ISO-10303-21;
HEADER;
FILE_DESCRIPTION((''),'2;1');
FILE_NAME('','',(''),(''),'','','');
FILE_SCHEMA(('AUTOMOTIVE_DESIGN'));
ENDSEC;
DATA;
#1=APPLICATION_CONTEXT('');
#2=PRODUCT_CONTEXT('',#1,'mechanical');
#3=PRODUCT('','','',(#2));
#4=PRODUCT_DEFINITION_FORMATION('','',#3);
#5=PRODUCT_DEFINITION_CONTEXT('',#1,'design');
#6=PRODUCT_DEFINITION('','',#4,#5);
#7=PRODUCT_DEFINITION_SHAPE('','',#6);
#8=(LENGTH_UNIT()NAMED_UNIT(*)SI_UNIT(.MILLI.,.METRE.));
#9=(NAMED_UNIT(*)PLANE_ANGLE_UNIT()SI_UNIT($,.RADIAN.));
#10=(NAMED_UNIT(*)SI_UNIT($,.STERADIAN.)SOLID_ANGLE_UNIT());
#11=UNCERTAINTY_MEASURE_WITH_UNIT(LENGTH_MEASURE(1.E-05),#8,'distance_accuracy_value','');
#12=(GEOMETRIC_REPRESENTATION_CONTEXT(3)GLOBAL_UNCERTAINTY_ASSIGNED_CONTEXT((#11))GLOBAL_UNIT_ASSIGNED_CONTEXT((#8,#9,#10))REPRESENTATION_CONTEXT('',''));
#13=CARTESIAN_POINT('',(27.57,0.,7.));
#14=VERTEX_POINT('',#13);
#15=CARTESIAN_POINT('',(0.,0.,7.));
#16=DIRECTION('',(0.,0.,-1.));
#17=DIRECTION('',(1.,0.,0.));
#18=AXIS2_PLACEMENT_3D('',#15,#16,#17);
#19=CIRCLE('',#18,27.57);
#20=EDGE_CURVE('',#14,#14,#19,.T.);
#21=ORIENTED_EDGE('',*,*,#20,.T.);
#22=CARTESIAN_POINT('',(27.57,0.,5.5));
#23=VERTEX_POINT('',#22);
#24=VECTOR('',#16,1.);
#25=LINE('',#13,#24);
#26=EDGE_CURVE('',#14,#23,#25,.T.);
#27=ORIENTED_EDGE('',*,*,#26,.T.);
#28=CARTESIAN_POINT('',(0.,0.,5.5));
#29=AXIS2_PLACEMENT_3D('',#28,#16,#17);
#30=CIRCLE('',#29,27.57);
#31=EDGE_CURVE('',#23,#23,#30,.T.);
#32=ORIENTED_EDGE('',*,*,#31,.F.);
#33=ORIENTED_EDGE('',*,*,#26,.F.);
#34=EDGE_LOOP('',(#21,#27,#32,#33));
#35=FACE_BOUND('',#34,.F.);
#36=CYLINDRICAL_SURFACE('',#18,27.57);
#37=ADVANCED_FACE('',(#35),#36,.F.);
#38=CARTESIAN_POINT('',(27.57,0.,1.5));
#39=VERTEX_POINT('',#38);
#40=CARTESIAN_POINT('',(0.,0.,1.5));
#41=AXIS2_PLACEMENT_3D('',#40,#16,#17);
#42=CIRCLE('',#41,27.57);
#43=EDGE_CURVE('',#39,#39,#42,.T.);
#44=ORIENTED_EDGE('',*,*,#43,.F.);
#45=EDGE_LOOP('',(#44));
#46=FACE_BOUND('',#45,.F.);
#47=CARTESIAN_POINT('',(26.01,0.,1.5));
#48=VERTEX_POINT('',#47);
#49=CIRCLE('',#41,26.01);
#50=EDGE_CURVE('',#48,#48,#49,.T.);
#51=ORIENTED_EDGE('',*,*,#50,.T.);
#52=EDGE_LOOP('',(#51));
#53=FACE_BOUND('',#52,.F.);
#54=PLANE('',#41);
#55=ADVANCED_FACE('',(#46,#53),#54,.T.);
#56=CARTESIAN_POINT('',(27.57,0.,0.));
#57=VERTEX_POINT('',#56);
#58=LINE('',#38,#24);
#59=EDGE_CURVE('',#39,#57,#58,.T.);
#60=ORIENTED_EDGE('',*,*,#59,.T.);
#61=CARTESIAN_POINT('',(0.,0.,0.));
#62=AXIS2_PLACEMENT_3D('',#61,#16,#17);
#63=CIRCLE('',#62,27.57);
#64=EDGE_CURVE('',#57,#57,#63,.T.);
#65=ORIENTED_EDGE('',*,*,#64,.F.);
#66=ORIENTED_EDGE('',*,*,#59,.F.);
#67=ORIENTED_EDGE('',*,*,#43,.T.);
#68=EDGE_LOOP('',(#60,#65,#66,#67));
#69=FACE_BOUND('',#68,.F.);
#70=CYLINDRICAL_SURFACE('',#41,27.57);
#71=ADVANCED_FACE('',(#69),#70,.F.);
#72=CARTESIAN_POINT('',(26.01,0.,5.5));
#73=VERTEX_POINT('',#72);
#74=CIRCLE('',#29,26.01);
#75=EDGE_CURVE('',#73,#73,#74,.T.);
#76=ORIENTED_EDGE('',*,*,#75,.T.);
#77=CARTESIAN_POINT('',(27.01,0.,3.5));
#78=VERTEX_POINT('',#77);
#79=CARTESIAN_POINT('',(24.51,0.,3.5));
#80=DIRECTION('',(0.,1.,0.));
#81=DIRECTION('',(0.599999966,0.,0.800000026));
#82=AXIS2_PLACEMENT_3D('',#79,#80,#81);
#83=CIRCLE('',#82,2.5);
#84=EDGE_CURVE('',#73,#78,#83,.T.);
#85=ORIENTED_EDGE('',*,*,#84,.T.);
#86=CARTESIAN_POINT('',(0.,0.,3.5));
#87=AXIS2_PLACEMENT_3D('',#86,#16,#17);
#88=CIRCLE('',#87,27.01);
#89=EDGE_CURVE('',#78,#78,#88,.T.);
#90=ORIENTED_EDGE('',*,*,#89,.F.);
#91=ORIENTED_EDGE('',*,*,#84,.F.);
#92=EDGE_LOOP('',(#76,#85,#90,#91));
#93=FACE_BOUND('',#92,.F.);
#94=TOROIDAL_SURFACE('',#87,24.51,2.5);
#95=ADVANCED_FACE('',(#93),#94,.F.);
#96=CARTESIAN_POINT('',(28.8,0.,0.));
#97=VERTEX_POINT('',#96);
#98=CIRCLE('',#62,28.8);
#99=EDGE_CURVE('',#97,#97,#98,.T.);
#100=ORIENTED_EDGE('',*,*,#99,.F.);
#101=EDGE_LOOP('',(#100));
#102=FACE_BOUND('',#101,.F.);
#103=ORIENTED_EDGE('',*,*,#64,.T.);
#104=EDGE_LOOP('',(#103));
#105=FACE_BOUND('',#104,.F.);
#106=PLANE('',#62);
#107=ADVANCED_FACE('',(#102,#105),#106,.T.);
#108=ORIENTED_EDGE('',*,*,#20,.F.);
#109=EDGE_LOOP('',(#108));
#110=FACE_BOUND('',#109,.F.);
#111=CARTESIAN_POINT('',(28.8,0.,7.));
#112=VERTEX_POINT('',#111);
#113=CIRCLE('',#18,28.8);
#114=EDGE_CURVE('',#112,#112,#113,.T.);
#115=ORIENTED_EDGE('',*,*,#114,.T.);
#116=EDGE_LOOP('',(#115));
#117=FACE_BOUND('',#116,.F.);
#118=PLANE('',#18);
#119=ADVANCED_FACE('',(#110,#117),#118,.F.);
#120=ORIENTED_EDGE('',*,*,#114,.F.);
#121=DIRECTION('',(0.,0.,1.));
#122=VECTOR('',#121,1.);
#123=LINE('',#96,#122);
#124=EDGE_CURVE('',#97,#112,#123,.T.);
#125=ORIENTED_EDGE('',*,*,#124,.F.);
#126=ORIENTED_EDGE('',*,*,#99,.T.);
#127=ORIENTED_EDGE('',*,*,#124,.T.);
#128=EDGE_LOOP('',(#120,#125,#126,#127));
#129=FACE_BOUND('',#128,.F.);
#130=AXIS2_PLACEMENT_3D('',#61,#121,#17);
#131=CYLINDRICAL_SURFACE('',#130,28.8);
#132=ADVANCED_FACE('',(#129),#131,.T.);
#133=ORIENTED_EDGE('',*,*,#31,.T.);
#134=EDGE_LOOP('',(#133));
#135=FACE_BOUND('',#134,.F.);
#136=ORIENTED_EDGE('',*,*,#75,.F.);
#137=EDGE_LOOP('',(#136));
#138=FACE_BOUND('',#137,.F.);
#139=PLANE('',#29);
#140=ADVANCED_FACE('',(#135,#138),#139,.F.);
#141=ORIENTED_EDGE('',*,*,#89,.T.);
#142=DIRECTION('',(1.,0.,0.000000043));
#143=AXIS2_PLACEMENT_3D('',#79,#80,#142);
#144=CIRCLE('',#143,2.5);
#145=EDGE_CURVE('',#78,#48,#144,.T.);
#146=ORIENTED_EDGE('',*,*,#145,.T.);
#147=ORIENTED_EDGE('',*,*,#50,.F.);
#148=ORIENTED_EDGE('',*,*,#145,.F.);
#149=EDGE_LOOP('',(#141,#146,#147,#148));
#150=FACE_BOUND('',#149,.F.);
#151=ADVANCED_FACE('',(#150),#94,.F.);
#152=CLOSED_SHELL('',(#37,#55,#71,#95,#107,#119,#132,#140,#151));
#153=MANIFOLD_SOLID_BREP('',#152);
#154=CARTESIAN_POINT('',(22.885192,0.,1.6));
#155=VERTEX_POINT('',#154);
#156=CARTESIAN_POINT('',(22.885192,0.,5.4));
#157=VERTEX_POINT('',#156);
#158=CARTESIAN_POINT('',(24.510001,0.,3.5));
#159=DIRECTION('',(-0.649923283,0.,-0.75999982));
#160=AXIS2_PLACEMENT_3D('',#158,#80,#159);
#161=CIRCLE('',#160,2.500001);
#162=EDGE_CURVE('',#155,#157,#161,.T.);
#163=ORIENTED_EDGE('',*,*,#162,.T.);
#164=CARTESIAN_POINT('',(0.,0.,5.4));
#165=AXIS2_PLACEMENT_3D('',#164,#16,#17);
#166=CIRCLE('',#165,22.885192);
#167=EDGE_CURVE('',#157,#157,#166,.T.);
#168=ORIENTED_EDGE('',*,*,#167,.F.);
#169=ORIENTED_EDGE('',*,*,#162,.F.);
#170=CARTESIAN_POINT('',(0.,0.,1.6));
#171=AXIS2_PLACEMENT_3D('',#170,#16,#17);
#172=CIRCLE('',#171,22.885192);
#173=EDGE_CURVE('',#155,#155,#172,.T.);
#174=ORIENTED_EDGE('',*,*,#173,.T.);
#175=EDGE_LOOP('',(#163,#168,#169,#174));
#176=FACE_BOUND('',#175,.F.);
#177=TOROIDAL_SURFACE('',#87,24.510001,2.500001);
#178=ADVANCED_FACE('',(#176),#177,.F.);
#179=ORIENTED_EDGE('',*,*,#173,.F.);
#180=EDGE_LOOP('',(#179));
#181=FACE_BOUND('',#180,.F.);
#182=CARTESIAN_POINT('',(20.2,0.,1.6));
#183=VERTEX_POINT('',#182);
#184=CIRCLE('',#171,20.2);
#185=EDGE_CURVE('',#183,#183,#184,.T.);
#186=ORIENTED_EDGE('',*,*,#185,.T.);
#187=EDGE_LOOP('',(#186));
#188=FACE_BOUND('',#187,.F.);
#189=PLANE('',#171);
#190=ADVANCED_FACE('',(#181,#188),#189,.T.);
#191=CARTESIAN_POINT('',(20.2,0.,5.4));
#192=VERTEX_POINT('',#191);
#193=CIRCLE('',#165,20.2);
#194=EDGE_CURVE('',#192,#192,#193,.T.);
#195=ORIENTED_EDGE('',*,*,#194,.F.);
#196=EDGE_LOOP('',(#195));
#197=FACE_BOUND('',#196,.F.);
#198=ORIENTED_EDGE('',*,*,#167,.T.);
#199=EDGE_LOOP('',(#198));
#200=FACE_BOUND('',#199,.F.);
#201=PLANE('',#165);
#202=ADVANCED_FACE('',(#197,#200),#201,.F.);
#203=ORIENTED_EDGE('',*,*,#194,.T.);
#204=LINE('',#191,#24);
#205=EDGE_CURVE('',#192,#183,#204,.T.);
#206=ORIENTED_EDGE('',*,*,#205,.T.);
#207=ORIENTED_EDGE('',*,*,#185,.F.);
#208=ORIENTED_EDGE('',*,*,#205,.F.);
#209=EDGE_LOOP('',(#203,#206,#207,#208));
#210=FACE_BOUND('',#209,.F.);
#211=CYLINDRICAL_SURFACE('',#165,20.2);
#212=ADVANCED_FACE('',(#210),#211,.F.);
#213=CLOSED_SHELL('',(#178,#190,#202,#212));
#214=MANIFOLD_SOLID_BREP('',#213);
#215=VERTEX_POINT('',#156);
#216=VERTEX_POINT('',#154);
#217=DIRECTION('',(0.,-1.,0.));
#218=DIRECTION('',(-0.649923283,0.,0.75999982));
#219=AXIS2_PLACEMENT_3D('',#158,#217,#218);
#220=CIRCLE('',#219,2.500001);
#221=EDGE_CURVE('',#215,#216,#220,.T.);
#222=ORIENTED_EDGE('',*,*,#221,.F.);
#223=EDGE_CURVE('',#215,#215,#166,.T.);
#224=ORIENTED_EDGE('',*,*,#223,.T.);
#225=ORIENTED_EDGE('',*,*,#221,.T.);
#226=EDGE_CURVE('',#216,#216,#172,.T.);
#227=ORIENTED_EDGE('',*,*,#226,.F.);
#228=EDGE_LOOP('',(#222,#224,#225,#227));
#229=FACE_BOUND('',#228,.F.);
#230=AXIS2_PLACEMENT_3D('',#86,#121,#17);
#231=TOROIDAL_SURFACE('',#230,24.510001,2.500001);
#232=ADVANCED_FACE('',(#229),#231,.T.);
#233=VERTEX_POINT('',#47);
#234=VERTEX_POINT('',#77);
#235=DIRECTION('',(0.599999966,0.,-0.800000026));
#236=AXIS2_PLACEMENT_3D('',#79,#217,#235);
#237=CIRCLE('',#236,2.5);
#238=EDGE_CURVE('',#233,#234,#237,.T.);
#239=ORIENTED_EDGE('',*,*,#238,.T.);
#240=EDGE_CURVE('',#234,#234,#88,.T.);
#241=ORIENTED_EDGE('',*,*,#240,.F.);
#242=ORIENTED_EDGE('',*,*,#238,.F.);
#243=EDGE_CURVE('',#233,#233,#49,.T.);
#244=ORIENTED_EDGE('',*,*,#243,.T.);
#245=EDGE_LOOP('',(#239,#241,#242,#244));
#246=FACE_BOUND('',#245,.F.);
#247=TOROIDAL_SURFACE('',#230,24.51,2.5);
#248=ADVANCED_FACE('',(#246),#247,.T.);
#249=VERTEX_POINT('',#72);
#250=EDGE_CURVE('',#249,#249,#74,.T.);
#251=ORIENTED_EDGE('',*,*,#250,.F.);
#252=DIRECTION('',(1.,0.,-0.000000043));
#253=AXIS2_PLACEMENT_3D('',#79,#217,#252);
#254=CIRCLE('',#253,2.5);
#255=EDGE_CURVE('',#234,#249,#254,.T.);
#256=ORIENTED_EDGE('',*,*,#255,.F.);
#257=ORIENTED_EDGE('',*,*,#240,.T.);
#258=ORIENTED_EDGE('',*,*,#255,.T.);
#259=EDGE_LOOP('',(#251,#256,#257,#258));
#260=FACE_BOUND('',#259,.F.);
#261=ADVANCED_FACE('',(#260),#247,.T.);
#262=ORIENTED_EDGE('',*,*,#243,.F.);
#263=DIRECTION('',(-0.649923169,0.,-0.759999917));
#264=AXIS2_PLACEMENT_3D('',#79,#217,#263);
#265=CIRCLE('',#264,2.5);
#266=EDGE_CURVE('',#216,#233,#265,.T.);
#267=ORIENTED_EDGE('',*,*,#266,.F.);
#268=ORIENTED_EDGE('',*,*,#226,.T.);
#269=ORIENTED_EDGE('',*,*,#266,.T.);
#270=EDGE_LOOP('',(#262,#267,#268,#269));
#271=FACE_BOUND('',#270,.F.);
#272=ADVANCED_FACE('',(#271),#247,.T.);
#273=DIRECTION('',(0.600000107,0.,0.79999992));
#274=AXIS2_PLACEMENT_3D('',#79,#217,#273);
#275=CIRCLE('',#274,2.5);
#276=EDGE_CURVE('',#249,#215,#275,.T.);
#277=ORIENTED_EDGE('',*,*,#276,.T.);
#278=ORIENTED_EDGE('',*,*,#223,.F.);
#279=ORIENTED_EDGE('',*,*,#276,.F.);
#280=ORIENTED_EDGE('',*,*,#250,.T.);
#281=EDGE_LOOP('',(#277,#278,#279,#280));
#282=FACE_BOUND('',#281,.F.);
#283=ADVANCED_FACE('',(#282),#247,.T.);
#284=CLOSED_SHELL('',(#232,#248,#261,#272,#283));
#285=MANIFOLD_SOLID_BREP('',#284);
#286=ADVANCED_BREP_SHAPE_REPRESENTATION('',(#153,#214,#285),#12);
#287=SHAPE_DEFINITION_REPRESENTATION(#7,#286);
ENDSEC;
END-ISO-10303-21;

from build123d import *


with BuildPart() as f1:
    # F0 (on Front) → F1 (revolve)
    with BuildSketch(Plane.XZ):
        with BuildLine():
            Line((28.8, 0), (28.8, 7))
            Line((28.8, 7), (27.57, 7))
            Line((27.57, 7), (27.57, 5.5))
            Line((27.57, 5.5), (26.01, 5.5))
            ThreePointArc((26.01, 5.5), (26.746068, 4.618034), (27.01, 3.5))
            ThreePointArc((27.01, 3.5), (26.746068, 2.381966), (26.01, 1.5))
            Line((26.01, 1.5), (27.57, 1.5))
            Line((27.57, 1.5), (27.57, 0))
            Line((27.57, 0), (28.8, 0))
        make_face()
    revolve(axis=Axis((0, 0, 3.5), (0, 0, -1)))


with BuildPart() as f2:
    # F0 (on Front) → F2 (revolve)
    with BuildSketch(Plane.XZ):
        with BuildLine():
            ThreePointArc((22.885192, 1.6), (22.01, 3.5), (22.885192, 5.4))
            Line((22.885192, 5.4), (20.2, 5.4))
            Line((20.2, 5.4), (20.2, 1.6))
            Line((20.2, 1.6), (22.885192, 1.6))
        make_face()
    revolve(axis=Axis((0, 0, 3.5), (0, 0, -1)))


with BuildPart() as f3:
    # F0 (on Front) → F3 (revolve)
    with BuildSketch(Plane.XZ):
        with BuildLine():
            ThreePointArc((27.01, 3.5), (26.746068, 4.618034), (26.01, 5.5))
            ThreePointArc((26.01, 5.5), (24.430036, 5.998721), (22.885192, 5.4))
            ThreePointArc((22.885192, 5.4), (22.01, 3.5), (22.885192, 1.6))
            ThreePointArc((22.885192, 1.6), (24.430036, 1.001279), (26.01, 1.5))
            ThreePointArc((26.01, 1.5), (26.746068, 2.381966), (27.01, 3.5))
        make_face()
    revolve(axis=Axis((0, 0, 3.5), (0, 0, -1)))


solid = Compound([f1.part, f2.part, f3.part])
